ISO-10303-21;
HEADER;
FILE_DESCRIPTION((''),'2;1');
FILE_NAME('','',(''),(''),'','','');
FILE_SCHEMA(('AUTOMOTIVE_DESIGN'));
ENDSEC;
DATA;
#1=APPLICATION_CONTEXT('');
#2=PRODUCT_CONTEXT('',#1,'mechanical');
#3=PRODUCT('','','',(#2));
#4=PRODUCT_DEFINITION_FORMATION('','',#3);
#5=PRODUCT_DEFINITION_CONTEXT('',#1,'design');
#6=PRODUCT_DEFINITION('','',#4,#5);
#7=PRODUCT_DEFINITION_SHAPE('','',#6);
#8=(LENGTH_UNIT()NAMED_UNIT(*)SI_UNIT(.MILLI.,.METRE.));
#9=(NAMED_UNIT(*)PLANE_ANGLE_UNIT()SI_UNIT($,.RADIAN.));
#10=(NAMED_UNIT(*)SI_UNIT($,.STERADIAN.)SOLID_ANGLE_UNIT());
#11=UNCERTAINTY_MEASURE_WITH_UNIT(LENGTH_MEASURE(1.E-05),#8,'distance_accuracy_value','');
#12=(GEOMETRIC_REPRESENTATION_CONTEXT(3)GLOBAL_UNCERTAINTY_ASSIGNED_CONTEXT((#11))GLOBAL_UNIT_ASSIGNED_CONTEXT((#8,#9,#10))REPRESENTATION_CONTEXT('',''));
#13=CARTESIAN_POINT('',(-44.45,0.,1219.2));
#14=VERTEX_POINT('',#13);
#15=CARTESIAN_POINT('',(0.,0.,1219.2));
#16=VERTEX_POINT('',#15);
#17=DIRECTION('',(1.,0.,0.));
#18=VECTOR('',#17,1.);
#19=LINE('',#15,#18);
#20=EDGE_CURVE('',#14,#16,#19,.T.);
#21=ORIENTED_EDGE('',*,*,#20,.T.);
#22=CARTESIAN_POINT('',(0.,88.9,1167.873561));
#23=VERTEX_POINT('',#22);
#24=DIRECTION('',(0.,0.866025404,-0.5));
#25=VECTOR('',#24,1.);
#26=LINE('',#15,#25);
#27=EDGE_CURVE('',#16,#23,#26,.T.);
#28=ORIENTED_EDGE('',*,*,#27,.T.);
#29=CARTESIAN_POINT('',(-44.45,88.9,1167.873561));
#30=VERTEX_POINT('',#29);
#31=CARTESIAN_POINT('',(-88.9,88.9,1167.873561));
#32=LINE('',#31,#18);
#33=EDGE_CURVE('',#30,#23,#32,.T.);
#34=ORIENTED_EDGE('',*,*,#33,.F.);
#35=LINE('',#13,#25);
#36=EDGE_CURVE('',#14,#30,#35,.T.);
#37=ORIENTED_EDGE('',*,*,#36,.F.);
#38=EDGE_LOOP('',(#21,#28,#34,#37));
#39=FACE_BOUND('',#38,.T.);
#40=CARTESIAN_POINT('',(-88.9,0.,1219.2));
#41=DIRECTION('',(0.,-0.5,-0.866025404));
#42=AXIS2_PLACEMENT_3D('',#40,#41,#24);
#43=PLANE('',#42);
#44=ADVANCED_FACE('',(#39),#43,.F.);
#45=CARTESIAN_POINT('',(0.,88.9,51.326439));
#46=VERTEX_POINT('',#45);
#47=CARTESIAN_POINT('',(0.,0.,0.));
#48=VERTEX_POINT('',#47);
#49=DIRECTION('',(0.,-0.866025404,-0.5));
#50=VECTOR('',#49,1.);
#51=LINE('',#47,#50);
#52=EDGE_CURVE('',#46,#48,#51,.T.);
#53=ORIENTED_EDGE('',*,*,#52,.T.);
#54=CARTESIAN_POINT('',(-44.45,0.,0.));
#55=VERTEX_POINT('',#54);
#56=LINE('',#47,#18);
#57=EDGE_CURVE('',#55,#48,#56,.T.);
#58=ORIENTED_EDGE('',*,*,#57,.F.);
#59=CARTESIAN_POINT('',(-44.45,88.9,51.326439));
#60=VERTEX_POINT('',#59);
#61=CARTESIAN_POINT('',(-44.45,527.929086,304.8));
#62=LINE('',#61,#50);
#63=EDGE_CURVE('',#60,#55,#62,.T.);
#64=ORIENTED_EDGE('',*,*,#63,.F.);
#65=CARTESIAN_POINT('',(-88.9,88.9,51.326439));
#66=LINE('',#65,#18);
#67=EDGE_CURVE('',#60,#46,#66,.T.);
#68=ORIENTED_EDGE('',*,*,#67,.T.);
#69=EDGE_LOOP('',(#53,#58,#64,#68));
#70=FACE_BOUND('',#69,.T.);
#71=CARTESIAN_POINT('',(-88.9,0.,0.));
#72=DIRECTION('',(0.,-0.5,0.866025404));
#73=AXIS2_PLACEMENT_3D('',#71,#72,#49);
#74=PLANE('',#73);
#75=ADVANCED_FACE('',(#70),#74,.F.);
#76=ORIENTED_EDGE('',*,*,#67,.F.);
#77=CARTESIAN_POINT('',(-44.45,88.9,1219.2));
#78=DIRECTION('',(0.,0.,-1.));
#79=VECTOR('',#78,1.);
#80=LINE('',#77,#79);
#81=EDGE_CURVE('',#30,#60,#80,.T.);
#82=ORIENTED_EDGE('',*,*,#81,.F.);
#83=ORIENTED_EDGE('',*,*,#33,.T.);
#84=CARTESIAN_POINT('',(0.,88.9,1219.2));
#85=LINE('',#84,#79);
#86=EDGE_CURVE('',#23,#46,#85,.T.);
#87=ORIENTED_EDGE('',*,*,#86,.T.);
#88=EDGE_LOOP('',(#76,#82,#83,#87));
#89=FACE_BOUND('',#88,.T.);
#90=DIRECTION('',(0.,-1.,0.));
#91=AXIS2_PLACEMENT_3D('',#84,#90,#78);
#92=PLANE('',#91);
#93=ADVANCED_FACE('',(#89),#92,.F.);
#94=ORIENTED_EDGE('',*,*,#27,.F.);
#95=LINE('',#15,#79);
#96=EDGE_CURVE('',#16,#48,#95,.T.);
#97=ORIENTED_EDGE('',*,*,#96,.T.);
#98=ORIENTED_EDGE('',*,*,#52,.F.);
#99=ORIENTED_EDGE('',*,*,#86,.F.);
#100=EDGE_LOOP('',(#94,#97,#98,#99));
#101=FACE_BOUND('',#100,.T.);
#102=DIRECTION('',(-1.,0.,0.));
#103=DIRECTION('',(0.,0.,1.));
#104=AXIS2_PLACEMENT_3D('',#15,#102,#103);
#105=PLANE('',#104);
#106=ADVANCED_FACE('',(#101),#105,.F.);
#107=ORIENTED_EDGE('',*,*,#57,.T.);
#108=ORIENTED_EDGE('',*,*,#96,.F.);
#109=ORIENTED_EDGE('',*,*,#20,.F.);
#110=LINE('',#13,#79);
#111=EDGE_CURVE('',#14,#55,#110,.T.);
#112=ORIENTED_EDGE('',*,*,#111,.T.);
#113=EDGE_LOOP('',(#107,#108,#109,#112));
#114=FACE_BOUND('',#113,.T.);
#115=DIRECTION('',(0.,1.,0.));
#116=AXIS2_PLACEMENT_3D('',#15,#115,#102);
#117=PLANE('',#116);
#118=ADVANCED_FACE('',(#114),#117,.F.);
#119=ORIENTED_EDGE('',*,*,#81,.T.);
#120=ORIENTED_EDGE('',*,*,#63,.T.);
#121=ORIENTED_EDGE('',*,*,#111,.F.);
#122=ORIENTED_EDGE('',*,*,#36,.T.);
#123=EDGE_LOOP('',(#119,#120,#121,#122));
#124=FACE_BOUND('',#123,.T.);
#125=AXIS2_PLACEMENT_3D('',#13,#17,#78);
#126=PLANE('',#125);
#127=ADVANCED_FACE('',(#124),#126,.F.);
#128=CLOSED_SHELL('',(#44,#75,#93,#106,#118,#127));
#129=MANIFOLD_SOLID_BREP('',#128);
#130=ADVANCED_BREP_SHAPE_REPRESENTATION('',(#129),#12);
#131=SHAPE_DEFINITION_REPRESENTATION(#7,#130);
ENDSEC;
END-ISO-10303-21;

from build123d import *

# Parameters (mm, degrees)
SKETCH1_W           = 44.45
SKETCH1_H           = 88.9
BOSS_EXTRUDE1_DEPTH = 1219.2
CUT_EXTRUDE2_DEPTH  = 88.9


with BuildPart() as part:
    # Sketch1 → Boss-Extrude1 (new body)
    with BuildSketch(Plane.XY):
        with Locations((-22.225, 44.45)):
            Rectangle(SKETCH1_W, SKETCH1_H)
    extrude(amount=BOSS_EXTRUDE1_DEPTH)

    # Sketch3 → Cut-Extrude2 (cut)
    with BuildSketch(Plane(origin=(0, 0, 0), x_dir=(0, 0, -1), z_dir=(1, 0, 0))):
        Polygon((-1219.2, 0), (-1167.873561069, 88.9), (-1219.2, 88.9), align=None)
        Polygon((-51.326438931, 88.9), (0, 88.9), (0, 0), align=None)
    extrude(amount=-CUT_EXTRUDE2_DEPTH, mode=Mode.SUBTRACT)


solid = part.part
